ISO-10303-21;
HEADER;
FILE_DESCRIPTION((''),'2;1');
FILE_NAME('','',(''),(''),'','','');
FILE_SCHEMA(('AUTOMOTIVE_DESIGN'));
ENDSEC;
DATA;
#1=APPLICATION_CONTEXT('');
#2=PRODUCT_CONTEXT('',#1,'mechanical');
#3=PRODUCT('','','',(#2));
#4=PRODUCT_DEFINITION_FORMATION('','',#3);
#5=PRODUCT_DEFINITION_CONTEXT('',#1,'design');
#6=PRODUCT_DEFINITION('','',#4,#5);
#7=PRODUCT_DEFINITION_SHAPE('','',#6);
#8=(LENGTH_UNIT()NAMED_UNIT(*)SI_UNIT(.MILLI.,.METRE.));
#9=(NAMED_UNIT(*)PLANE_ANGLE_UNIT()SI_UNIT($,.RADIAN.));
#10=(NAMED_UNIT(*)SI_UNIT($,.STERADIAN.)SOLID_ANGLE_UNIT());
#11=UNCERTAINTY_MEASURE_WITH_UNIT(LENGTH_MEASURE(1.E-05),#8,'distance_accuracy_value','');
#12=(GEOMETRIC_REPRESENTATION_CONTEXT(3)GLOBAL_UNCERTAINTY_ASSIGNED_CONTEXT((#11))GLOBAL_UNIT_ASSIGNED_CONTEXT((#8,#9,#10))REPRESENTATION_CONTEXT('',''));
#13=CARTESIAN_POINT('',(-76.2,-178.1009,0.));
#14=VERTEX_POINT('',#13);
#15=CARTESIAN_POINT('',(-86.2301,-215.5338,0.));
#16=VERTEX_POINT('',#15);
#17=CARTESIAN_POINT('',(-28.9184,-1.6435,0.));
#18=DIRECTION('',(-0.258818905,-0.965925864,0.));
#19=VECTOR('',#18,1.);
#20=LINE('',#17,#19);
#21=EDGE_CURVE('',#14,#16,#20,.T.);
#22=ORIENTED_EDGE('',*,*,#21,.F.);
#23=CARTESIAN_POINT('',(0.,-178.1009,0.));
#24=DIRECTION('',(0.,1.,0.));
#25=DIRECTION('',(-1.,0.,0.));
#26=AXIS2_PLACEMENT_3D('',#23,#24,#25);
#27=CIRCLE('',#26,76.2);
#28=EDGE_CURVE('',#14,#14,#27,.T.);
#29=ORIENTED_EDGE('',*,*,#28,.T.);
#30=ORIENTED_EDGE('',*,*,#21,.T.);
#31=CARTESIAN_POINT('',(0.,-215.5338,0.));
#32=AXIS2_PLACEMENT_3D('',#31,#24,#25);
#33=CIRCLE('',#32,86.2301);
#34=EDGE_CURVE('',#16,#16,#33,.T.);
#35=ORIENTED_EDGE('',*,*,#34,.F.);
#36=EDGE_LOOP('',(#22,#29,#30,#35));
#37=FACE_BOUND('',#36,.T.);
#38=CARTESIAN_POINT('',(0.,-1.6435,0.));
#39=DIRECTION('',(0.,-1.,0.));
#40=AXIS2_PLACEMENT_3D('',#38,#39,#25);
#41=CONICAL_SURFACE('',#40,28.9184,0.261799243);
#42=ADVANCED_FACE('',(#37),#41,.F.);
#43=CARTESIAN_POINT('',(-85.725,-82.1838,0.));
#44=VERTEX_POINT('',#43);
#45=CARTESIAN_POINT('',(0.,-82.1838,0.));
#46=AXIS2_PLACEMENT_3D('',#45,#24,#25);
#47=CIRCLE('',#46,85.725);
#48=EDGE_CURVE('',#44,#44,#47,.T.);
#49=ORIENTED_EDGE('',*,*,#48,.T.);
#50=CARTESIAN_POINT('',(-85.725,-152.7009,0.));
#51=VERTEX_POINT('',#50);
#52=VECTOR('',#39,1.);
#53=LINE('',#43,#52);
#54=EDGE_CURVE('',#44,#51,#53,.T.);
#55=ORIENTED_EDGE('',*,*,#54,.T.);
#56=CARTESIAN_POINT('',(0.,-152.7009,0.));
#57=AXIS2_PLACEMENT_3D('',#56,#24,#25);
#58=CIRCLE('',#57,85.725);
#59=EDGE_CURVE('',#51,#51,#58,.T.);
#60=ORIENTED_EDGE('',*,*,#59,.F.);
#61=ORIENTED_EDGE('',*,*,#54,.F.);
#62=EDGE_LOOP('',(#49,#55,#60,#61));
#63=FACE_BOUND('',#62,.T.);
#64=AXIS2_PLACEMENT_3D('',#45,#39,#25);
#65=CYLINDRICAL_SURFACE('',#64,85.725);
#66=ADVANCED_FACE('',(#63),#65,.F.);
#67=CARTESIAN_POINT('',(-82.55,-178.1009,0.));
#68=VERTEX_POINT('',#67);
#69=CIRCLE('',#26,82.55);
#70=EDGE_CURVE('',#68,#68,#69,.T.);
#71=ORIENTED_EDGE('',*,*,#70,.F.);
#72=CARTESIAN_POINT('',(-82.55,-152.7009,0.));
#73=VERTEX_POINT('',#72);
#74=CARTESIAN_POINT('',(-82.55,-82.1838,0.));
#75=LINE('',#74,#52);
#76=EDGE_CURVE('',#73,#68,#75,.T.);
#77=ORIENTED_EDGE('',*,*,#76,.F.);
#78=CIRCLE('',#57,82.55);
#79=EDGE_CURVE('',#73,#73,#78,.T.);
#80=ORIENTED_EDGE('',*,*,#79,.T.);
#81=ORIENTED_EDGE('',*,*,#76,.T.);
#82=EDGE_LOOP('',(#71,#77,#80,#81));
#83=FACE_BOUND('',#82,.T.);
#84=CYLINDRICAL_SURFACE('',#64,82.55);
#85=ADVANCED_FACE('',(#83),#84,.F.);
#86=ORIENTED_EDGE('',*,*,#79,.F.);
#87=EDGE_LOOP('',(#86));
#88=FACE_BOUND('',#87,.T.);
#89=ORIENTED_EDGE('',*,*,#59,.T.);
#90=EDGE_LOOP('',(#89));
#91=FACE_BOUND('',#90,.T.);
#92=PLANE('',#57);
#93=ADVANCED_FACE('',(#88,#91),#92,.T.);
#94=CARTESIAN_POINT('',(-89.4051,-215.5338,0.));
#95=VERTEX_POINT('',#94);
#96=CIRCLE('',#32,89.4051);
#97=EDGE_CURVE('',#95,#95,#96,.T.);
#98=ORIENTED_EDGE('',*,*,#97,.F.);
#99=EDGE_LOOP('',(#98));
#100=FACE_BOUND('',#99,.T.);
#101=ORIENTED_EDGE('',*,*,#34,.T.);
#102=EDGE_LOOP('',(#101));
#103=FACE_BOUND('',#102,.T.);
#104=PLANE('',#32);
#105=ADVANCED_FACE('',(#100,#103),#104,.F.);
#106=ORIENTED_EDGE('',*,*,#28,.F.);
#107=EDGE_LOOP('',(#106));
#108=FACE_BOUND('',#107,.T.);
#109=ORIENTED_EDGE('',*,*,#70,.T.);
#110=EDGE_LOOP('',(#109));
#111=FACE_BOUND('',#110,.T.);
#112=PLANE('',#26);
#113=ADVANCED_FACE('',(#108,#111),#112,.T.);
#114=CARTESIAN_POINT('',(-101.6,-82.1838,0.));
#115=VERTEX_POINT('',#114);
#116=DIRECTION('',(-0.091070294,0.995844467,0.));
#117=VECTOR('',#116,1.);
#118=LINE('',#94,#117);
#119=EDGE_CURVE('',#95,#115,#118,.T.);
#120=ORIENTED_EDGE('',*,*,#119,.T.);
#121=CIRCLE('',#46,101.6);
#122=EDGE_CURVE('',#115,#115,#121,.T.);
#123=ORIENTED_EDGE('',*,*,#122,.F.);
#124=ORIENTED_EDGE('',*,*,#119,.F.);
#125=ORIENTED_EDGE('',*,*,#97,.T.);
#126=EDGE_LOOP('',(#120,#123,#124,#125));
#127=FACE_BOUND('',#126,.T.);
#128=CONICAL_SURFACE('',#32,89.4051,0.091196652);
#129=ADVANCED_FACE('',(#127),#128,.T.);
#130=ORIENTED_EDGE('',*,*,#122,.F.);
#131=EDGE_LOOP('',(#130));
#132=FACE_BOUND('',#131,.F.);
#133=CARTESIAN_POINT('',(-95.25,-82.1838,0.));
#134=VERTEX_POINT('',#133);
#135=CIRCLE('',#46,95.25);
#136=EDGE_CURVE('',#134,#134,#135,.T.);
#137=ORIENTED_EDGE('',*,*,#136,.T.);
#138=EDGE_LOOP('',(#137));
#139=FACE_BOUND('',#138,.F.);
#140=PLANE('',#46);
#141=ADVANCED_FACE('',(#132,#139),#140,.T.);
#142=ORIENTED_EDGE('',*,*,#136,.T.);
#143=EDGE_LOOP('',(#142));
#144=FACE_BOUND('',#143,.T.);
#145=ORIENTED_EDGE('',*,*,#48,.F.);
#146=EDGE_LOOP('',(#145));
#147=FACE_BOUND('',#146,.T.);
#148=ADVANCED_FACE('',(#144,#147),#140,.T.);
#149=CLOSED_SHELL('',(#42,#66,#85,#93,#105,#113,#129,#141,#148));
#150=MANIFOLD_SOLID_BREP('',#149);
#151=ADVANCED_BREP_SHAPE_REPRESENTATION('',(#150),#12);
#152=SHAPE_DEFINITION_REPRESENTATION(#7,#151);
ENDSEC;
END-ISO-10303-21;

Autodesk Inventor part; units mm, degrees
ref_plane "YZ Plane" through (0, 0, 0) normal (1, 0, 0) x (0, 1, 0)
ref_plane "XZ Plane" through (0, 0, 0) normal (0, 1, 0) x (-1, 0, 0)
ref_plane "XY Plane" through (0, 0, 0) normal (0, 0, 1) x (1, 0, 0)
sketch "Sketch1" plane through (0, 0, 0) normal (0, 0, 1) x (1, 0, 0)
  arc A0 (-28.9184, -1.6435) -> (-32.3684, 5.7551) centre (-35.052, 0) ccw
  line L0 (-28.702, 47.5942) -> (-28.702, -124.4009) construction
  line L1 (-32.3684, 5.7551) -> (-88.9, 32.1162)
  line L2 (-28.9184, -1.6435) -> (-86.2301, -215.5338)
  line L3 (-46.4564, 12.3244) -> (-66.802, 12.3244)
  line L4 (-60.4508, -95.6256) -> (-54.1008, -95.6256)
  line L5 (-73.152, -5.9838) -> (-73.152, -131.1779)
  line L6 (-73.152, -131.1779) -> (-63.627, -131.1779)
  line L7 (58.5667, 38.1) -> (-194.088, 38.1) construction
  line L8 (-95.25, 6.7162) -> (-95.25, -5.9838)
  line L9 (-95.25, 6.7162) -> (-88.9, 6.7162)
  line L10 (-88.9, 6.7162) -> (-88.9, 32.1162)
  line L11 (-95.25, -5.9838) -> (-73.152, -5.9838)
  line L12 (-95.25, -5.9838) -> (-95.25, -18.6838)
  line L13 (-95.25, -18.6838) -> (-89.3064, -18.6838)
  line L14 (-89.3064, -18.6838) -> (-89.3064, -24.6274)
  line L15 (-89.3064, -24.6274) -> (-95.25, -24.6274)
  line L16 (-95.25, -24.6274) -> (-95.25, -82.1838)
  line L17 (-95.25, -82.1838) -> (-82.55, -82.1838)
  line L18 (-89.3064, -18.6838) -> (-82.55, -18.6838)
  line L19 (-82.55, -18.6838) -> (-82.55, -82.1838)
  line L20 (-95.25, -82.1838) -> (-101.6, -82.1838)
  line L21 (-66.802, 12.3244) -> (-66.802, -31.3838)
  line L22 (-66.802, -31.3838) -> (-60.4508, -95.6256)
  line L23 (-82.55, -178.1009) -> (-76.2, -178.1009)
  line L24 (-82.55, -82.1838) -> (-82.55, -178.1009)
  line L25 (-86.2301, -215.5338) -> (-89.4051, -215.5338)
  line L26 (-89.4051, -215.5338) -> (-101.6, -82.1838)
  line L27 (-69.977, -5.9838) -> (-69.977, -31.3838)
  line L28 (-69.977, -31.3838) -> (-73.152, -31.3838)
  line L29 (-69.977, -5.9838) -> (-66.802, -5.9838)
  line L30 (-101.6, -82.1838) -> (-28.702, -82.1838) construction
  line L31 (0, -210.5351) -> (0, 86.485) construction
  line L32 (-85.725, -82.1838) -> (-85.725, -152.7009)
  line L33 (-85.725, -152.7009) -> (-82.55, -152.7009)
  line L34 (-85.725, -82.1838) -> (-101.6, -82.1838)
  point P0 (0, 0)
  dimension "d0" = 12.7
  dimension "d1" = 28.702
  dimension "d3" = 15
  dimension "d4" = 6.35
  dimension "d9" = 38.1
  dimension "d11" = 12.7
  dimension "d13" = 95.25
  dimension "d14" = 6.35
  dimension "d15" = 25.4
  dimension "d17" = 12.7
  dimension "d18" = 5.9436
  dimension "d19" = 5.9436
  dimension "d20" = 12.7
  dimension "d22" = 107.95
  dimension "d23" = 63.5
  dimension "d25" = 25.4
  dimension "d26" = 6.35
  dimension "d27" = 133.35
  dimension "d28" = 3.175
  dimension "d29" = 101.6
  dimension "d30" = 6.35
  dimension "d31" = 25
  dimension "d32" = 44.45
  dimension "d33" = 3.175
  dimension "d34" = 20.3456
  dimension "d35" = 9.525
  dimension "d38" = 25.4
  dimension "d40" = 3.175
revolve "Revolution2" add sketch "Sketch1" angle 360 about axis through (0, -210.5351, 0) along (0, 1, 0) contours L2 L25 L26 L20 L17 L32 L33 L24 L23
thread "Thread1" size "10-24 UNC" class "2B" standard "ANSI Unified Screw Threads" full length
properties part number "aluminum_boattail" material "Aluminum 6061"
